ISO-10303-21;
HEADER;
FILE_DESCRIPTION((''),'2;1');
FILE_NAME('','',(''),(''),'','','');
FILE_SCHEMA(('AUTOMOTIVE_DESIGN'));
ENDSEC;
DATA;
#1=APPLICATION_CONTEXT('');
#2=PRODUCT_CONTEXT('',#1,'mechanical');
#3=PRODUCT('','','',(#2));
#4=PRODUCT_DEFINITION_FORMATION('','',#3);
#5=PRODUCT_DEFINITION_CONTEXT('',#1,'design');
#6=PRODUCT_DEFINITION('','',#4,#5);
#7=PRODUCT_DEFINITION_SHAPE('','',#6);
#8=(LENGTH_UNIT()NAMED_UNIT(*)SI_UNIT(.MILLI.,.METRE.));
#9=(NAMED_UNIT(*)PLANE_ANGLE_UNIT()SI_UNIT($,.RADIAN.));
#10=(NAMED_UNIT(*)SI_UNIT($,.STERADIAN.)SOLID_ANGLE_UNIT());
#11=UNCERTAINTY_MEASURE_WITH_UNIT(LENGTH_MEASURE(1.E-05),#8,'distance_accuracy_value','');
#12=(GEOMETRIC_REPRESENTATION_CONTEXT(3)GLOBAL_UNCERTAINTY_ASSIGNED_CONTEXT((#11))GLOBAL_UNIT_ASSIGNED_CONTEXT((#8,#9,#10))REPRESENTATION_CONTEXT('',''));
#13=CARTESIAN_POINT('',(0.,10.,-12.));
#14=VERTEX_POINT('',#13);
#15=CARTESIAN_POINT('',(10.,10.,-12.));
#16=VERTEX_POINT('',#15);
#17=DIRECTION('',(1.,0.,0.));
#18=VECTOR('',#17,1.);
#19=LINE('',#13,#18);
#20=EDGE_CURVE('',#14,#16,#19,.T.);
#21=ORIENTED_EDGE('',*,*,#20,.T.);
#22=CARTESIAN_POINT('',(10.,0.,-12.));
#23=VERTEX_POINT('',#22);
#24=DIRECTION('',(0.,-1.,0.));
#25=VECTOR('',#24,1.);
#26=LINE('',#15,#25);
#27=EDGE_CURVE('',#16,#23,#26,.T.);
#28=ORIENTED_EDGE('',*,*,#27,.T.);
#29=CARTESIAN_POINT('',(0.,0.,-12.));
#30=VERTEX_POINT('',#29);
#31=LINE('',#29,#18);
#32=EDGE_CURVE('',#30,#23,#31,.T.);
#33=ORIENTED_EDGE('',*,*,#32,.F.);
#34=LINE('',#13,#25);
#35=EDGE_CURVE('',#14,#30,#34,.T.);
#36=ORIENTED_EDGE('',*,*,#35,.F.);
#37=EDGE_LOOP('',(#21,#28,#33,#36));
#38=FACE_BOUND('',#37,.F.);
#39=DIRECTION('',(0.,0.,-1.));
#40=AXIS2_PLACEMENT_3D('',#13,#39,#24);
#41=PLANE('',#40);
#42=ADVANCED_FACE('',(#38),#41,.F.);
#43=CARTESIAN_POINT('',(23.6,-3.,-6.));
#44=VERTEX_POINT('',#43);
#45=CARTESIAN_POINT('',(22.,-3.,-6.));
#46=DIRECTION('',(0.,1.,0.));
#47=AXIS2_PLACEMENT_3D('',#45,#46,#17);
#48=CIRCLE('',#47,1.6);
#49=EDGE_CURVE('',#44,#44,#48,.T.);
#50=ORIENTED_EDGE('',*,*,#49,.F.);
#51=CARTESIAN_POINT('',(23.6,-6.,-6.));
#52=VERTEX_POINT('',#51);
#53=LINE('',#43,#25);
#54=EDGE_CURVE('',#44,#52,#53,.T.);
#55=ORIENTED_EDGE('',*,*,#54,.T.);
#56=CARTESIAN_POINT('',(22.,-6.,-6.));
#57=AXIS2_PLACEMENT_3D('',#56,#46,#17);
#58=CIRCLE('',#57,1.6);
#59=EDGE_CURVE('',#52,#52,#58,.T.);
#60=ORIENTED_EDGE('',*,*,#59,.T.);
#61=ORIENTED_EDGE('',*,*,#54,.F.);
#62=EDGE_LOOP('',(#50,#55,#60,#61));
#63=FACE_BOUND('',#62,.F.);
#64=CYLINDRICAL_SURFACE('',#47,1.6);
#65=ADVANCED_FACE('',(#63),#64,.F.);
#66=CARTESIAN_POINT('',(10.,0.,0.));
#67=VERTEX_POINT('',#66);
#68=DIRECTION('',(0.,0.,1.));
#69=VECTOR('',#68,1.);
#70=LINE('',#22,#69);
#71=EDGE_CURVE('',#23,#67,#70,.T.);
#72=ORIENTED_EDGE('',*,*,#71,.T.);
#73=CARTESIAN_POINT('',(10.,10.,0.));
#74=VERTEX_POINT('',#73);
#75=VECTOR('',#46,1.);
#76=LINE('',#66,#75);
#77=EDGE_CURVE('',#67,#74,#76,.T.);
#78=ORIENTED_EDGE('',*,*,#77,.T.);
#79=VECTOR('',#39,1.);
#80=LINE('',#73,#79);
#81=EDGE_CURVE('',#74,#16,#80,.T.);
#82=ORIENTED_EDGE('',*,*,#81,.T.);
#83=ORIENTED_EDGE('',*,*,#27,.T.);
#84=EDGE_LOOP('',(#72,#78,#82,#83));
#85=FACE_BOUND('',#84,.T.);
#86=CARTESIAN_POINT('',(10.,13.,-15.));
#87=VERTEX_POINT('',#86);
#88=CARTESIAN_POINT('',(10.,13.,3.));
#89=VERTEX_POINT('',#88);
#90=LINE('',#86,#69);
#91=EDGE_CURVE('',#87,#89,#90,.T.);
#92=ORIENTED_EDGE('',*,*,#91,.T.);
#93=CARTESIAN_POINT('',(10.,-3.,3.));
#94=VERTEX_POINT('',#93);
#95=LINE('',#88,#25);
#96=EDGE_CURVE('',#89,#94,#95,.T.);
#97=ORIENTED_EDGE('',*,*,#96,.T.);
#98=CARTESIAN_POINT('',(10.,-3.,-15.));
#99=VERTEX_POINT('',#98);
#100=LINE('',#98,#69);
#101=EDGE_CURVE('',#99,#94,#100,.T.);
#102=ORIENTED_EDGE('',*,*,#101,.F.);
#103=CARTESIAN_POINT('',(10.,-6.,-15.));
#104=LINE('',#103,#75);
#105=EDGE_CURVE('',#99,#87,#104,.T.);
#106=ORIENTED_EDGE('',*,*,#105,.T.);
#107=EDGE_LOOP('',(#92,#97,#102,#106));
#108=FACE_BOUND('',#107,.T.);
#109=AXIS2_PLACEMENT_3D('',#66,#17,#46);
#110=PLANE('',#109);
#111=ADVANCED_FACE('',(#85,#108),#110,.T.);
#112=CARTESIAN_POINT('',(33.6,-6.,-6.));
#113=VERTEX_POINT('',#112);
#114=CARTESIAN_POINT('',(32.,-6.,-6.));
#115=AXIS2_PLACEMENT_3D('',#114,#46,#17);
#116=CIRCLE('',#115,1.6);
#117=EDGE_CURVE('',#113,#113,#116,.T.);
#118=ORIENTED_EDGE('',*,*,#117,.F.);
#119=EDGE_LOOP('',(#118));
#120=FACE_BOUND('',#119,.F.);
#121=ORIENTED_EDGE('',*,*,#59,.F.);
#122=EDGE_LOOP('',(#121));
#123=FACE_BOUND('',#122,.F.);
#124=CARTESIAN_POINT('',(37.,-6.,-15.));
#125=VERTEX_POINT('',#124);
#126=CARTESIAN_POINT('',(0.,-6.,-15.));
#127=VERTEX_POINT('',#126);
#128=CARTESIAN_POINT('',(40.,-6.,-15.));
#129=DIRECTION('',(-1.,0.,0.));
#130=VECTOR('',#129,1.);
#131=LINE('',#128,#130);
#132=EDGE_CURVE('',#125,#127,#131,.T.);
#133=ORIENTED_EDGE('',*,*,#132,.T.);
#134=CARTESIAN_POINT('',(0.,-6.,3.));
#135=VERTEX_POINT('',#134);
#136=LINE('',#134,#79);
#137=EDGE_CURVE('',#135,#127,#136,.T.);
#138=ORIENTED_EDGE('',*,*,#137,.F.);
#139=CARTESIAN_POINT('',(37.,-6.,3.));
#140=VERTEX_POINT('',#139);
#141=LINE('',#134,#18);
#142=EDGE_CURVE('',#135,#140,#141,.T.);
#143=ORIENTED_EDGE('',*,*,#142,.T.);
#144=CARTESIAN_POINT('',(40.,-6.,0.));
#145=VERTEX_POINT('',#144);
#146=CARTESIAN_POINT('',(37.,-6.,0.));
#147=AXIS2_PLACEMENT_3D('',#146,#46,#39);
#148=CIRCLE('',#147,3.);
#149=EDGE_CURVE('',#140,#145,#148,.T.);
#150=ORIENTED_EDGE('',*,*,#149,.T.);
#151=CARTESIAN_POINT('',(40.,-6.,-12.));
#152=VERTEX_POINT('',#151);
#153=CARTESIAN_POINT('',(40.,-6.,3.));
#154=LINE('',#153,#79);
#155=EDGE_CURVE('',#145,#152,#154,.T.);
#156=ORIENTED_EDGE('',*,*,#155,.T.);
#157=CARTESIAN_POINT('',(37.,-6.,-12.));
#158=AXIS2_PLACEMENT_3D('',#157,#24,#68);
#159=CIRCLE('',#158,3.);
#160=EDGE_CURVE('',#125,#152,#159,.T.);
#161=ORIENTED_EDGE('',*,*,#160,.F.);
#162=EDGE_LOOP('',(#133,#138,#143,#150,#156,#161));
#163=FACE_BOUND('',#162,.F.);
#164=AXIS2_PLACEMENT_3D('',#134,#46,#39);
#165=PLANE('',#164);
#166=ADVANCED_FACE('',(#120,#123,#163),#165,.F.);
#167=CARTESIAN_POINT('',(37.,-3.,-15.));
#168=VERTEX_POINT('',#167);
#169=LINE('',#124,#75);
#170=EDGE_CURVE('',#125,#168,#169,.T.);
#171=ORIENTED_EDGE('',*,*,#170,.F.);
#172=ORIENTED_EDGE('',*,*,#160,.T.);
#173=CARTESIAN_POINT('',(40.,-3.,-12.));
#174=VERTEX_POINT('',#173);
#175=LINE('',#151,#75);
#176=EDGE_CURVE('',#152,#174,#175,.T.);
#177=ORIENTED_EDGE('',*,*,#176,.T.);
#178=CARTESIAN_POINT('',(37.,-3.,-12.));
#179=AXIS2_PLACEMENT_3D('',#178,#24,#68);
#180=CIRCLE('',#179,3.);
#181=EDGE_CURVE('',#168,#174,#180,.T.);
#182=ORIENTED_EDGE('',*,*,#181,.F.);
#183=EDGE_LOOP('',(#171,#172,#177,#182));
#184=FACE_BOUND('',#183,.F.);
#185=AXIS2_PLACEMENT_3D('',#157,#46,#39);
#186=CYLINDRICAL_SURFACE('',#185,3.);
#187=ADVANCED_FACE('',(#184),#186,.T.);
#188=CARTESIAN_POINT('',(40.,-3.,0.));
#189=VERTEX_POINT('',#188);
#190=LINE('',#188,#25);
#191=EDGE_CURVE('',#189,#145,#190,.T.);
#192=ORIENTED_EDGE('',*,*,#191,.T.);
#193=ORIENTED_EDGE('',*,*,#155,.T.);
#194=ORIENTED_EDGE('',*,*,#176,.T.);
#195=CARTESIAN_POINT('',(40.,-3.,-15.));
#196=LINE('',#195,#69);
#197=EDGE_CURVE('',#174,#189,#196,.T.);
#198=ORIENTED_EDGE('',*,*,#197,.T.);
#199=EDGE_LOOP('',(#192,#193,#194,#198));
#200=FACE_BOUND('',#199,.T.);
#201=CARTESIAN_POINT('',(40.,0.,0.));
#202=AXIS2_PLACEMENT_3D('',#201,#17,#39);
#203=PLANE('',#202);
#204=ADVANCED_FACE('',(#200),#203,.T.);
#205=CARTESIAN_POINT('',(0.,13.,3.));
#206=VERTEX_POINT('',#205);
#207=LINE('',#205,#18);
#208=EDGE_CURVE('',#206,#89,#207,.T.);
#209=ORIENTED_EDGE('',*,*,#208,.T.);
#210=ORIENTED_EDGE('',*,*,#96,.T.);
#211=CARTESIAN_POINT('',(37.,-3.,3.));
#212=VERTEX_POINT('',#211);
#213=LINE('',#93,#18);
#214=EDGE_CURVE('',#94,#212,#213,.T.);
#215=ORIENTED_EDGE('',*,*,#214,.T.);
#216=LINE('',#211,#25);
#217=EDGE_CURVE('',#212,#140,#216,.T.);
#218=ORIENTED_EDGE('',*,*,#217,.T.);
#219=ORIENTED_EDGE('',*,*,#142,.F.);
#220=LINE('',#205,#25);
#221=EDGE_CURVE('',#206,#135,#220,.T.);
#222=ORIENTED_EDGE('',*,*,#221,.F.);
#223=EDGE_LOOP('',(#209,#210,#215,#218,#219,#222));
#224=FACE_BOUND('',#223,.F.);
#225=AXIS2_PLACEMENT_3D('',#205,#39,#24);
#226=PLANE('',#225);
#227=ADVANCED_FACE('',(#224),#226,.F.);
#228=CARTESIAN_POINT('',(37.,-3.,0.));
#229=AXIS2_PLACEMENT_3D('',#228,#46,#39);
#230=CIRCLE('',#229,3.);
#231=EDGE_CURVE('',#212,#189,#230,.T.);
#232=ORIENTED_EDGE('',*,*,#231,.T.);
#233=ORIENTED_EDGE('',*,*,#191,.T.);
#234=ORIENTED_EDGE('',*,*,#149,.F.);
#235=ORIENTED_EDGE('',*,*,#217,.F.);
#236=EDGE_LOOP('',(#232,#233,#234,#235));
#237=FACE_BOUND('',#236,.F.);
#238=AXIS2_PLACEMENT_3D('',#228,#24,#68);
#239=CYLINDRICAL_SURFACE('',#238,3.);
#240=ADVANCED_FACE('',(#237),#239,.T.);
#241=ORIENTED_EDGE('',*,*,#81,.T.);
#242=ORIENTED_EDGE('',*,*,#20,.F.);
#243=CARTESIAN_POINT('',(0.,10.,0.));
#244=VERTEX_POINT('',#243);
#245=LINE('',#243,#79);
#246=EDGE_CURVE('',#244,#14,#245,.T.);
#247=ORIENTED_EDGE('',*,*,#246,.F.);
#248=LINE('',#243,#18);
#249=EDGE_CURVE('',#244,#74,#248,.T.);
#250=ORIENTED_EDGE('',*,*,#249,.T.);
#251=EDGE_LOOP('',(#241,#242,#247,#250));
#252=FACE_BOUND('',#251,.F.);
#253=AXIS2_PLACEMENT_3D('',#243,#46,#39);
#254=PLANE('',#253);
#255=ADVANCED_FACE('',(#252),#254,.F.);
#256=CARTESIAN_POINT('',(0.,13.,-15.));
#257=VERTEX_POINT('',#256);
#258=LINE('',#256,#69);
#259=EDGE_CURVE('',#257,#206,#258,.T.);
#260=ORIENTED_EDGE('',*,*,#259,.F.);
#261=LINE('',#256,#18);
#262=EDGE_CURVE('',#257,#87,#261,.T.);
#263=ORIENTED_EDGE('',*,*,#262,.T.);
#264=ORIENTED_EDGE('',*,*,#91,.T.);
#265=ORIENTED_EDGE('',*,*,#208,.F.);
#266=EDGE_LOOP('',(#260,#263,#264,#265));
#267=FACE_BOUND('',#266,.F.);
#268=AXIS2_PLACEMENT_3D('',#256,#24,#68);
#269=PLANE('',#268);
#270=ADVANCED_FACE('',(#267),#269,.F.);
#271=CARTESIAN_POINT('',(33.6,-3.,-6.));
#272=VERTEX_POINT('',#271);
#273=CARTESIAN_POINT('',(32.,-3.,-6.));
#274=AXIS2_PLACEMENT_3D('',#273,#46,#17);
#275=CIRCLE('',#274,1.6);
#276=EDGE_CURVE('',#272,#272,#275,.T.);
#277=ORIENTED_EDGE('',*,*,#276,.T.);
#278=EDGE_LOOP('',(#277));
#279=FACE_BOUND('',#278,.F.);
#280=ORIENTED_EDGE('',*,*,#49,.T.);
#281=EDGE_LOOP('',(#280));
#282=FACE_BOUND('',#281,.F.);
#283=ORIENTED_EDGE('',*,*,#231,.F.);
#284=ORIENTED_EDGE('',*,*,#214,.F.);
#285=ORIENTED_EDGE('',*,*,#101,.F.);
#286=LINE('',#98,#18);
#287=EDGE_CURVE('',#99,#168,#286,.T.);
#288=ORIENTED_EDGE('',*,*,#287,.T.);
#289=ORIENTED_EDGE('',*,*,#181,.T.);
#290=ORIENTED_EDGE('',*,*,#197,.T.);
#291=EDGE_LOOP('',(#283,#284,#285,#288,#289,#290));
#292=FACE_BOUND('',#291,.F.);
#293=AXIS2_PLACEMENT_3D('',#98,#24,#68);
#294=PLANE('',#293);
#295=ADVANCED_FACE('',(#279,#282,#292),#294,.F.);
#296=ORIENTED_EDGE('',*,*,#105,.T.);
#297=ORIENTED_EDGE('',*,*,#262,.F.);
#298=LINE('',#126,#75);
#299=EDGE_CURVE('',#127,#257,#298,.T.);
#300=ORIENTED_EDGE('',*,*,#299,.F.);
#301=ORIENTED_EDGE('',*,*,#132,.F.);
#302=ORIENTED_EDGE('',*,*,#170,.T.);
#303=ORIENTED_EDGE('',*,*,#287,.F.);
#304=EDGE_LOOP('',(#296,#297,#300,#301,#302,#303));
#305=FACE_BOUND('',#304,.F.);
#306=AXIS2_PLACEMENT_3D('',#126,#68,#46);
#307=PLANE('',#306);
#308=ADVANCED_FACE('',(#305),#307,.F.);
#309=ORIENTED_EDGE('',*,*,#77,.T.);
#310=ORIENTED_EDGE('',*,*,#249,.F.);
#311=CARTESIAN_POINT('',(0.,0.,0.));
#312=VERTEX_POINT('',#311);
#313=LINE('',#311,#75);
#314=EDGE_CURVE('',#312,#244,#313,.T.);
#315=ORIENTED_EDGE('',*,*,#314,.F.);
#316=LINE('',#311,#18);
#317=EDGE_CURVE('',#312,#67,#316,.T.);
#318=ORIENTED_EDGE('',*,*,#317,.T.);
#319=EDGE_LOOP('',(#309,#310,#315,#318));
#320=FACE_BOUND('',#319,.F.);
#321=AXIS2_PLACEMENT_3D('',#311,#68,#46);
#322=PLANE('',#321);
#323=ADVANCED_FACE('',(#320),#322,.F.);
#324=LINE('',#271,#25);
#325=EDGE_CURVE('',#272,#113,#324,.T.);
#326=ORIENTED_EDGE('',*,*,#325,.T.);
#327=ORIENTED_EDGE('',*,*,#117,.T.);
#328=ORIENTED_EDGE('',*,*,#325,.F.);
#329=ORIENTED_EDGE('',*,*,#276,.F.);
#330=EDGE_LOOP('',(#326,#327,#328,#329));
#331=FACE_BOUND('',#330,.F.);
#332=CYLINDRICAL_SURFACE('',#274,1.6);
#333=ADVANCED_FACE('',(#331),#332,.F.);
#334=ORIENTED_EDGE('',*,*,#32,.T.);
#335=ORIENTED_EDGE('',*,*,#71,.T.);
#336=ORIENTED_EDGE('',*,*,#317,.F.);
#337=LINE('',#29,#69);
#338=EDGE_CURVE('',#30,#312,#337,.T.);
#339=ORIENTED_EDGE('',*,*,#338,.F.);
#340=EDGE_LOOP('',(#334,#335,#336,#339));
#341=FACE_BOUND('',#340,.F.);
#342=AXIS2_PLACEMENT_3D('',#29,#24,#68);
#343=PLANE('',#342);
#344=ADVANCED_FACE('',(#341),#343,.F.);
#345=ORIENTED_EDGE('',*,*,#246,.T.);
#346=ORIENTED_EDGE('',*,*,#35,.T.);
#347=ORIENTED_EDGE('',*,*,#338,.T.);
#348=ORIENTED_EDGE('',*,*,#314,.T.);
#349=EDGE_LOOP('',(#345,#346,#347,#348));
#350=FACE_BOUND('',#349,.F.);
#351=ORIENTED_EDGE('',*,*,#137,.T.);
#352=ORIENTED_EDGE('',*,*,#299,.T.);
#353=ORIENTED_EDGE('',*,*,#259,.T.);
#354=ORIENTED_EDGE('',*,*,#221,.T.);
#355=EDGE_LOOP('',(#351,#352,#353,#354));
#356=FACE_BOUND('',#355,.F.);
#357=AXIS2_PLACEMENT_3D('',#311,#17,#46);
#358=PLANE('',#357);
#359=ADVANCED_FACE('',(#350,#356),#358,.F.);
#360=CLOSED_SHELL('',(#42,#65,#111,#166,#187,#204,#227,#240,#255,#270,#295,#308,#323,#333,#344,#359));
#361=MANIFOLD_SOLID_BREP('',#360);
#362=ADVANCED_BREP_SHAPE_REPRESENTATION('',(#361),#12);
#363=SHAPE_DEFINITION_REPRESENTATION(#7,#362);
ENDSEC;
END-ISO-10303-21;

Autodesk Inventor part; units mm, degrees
ref_plane "YZ Plane" through (0, 0, 0) normal (1, 0, 0) x (0, 1, 0)
ref_plane "XZ Plane" through (0, 0, 0) normal (0, 1, 0) x (-1, 0, 0)
ref_plane "XY Plane" through (0, 0, 0) normal (0, 0, 1) x (1, 0, 0)
sketch "Sketch1" plane through (0, 0, 0) normal (1, 0, 0) x (0, 1, 0)
  line L0 (0, 0) -> (10, 0)
  line L1 (10, 0) -> (10, -12)
  line L2 (10, -12) -> (0, -12)
  line L3 (0, -12) -> (0, 0)
  line L4 (13, 3) -> (-6, 3)
  line L5 (-6, 3) -> (-6, -15)
  line L6 (-6, -15) -> (13, -15)
  line L7 (13, -15) -> (13, 3)
  dimension "d0" = 10
  dimension "d1" = 12
  dimension "d2" = 3
  dimension "d3" = 3
  dimension "d4" = 6
  dimension "d5" = 3
extrude "Extrusion1" add sketch "Sketch1" along normal blind 10
sketch "Sketch2" plane through (10, 0, 0) normal (1, 0, 0) x (0, 0, -1)
  line L0 (15, -6) -> (15, 13) construction
  line L1 (-3, -6) -> (15, -6) construction
  line L2 (-3, 13) -> (-3, -6) construction
  line L3 (15, -6) -> (15, 13) projected
  line L4 (-3, -6) -> (15, -6)
  line L5 (15, -6) -> (15, -3)
  line L6 (15, -3) -> (-3, -3)
  line L7 (-3, -3) -> (-3, -6)
  point P0 (0, 0)
  dimension "d8" = 3
extrude "Extrusion2" add sketch "Sketch2" along normal blind 30
sketch "Sketch3" plane through (10, -3, 3) normal (0, 1, 0) x (1, 0, 0)
  circle A0 centre (12, 9) radius 1.6
  circle A1 centre (22, 9) radius 1.6
  line L0 (0, 18) -> (30, 18) projected
  line L1 (0, 0) -> (30, 0) projected
  line L2 (30, 18) -> (30, 0) projected
  point P0 (-10, 3)
  dimension "d11" = 3.2
  dimension "d12" = 3.2
  dimension "d13" = 9
  dimension "d14" = 9
  dimension "d15" = 8
  dimension "d16" = 10
extrude "Extrusion3" cut sketch "Sketch3" against normal through all
fillet "Fillet1" radius 3 2 edges at (40, -4.5, 3) (40, -4.5, -15)
equation "\"d3\" = d2"
equation "\"d4\" = 2 * d2"
equation "\"d5\" = d2"
properties part number "Wheel Holder Rev 2"
